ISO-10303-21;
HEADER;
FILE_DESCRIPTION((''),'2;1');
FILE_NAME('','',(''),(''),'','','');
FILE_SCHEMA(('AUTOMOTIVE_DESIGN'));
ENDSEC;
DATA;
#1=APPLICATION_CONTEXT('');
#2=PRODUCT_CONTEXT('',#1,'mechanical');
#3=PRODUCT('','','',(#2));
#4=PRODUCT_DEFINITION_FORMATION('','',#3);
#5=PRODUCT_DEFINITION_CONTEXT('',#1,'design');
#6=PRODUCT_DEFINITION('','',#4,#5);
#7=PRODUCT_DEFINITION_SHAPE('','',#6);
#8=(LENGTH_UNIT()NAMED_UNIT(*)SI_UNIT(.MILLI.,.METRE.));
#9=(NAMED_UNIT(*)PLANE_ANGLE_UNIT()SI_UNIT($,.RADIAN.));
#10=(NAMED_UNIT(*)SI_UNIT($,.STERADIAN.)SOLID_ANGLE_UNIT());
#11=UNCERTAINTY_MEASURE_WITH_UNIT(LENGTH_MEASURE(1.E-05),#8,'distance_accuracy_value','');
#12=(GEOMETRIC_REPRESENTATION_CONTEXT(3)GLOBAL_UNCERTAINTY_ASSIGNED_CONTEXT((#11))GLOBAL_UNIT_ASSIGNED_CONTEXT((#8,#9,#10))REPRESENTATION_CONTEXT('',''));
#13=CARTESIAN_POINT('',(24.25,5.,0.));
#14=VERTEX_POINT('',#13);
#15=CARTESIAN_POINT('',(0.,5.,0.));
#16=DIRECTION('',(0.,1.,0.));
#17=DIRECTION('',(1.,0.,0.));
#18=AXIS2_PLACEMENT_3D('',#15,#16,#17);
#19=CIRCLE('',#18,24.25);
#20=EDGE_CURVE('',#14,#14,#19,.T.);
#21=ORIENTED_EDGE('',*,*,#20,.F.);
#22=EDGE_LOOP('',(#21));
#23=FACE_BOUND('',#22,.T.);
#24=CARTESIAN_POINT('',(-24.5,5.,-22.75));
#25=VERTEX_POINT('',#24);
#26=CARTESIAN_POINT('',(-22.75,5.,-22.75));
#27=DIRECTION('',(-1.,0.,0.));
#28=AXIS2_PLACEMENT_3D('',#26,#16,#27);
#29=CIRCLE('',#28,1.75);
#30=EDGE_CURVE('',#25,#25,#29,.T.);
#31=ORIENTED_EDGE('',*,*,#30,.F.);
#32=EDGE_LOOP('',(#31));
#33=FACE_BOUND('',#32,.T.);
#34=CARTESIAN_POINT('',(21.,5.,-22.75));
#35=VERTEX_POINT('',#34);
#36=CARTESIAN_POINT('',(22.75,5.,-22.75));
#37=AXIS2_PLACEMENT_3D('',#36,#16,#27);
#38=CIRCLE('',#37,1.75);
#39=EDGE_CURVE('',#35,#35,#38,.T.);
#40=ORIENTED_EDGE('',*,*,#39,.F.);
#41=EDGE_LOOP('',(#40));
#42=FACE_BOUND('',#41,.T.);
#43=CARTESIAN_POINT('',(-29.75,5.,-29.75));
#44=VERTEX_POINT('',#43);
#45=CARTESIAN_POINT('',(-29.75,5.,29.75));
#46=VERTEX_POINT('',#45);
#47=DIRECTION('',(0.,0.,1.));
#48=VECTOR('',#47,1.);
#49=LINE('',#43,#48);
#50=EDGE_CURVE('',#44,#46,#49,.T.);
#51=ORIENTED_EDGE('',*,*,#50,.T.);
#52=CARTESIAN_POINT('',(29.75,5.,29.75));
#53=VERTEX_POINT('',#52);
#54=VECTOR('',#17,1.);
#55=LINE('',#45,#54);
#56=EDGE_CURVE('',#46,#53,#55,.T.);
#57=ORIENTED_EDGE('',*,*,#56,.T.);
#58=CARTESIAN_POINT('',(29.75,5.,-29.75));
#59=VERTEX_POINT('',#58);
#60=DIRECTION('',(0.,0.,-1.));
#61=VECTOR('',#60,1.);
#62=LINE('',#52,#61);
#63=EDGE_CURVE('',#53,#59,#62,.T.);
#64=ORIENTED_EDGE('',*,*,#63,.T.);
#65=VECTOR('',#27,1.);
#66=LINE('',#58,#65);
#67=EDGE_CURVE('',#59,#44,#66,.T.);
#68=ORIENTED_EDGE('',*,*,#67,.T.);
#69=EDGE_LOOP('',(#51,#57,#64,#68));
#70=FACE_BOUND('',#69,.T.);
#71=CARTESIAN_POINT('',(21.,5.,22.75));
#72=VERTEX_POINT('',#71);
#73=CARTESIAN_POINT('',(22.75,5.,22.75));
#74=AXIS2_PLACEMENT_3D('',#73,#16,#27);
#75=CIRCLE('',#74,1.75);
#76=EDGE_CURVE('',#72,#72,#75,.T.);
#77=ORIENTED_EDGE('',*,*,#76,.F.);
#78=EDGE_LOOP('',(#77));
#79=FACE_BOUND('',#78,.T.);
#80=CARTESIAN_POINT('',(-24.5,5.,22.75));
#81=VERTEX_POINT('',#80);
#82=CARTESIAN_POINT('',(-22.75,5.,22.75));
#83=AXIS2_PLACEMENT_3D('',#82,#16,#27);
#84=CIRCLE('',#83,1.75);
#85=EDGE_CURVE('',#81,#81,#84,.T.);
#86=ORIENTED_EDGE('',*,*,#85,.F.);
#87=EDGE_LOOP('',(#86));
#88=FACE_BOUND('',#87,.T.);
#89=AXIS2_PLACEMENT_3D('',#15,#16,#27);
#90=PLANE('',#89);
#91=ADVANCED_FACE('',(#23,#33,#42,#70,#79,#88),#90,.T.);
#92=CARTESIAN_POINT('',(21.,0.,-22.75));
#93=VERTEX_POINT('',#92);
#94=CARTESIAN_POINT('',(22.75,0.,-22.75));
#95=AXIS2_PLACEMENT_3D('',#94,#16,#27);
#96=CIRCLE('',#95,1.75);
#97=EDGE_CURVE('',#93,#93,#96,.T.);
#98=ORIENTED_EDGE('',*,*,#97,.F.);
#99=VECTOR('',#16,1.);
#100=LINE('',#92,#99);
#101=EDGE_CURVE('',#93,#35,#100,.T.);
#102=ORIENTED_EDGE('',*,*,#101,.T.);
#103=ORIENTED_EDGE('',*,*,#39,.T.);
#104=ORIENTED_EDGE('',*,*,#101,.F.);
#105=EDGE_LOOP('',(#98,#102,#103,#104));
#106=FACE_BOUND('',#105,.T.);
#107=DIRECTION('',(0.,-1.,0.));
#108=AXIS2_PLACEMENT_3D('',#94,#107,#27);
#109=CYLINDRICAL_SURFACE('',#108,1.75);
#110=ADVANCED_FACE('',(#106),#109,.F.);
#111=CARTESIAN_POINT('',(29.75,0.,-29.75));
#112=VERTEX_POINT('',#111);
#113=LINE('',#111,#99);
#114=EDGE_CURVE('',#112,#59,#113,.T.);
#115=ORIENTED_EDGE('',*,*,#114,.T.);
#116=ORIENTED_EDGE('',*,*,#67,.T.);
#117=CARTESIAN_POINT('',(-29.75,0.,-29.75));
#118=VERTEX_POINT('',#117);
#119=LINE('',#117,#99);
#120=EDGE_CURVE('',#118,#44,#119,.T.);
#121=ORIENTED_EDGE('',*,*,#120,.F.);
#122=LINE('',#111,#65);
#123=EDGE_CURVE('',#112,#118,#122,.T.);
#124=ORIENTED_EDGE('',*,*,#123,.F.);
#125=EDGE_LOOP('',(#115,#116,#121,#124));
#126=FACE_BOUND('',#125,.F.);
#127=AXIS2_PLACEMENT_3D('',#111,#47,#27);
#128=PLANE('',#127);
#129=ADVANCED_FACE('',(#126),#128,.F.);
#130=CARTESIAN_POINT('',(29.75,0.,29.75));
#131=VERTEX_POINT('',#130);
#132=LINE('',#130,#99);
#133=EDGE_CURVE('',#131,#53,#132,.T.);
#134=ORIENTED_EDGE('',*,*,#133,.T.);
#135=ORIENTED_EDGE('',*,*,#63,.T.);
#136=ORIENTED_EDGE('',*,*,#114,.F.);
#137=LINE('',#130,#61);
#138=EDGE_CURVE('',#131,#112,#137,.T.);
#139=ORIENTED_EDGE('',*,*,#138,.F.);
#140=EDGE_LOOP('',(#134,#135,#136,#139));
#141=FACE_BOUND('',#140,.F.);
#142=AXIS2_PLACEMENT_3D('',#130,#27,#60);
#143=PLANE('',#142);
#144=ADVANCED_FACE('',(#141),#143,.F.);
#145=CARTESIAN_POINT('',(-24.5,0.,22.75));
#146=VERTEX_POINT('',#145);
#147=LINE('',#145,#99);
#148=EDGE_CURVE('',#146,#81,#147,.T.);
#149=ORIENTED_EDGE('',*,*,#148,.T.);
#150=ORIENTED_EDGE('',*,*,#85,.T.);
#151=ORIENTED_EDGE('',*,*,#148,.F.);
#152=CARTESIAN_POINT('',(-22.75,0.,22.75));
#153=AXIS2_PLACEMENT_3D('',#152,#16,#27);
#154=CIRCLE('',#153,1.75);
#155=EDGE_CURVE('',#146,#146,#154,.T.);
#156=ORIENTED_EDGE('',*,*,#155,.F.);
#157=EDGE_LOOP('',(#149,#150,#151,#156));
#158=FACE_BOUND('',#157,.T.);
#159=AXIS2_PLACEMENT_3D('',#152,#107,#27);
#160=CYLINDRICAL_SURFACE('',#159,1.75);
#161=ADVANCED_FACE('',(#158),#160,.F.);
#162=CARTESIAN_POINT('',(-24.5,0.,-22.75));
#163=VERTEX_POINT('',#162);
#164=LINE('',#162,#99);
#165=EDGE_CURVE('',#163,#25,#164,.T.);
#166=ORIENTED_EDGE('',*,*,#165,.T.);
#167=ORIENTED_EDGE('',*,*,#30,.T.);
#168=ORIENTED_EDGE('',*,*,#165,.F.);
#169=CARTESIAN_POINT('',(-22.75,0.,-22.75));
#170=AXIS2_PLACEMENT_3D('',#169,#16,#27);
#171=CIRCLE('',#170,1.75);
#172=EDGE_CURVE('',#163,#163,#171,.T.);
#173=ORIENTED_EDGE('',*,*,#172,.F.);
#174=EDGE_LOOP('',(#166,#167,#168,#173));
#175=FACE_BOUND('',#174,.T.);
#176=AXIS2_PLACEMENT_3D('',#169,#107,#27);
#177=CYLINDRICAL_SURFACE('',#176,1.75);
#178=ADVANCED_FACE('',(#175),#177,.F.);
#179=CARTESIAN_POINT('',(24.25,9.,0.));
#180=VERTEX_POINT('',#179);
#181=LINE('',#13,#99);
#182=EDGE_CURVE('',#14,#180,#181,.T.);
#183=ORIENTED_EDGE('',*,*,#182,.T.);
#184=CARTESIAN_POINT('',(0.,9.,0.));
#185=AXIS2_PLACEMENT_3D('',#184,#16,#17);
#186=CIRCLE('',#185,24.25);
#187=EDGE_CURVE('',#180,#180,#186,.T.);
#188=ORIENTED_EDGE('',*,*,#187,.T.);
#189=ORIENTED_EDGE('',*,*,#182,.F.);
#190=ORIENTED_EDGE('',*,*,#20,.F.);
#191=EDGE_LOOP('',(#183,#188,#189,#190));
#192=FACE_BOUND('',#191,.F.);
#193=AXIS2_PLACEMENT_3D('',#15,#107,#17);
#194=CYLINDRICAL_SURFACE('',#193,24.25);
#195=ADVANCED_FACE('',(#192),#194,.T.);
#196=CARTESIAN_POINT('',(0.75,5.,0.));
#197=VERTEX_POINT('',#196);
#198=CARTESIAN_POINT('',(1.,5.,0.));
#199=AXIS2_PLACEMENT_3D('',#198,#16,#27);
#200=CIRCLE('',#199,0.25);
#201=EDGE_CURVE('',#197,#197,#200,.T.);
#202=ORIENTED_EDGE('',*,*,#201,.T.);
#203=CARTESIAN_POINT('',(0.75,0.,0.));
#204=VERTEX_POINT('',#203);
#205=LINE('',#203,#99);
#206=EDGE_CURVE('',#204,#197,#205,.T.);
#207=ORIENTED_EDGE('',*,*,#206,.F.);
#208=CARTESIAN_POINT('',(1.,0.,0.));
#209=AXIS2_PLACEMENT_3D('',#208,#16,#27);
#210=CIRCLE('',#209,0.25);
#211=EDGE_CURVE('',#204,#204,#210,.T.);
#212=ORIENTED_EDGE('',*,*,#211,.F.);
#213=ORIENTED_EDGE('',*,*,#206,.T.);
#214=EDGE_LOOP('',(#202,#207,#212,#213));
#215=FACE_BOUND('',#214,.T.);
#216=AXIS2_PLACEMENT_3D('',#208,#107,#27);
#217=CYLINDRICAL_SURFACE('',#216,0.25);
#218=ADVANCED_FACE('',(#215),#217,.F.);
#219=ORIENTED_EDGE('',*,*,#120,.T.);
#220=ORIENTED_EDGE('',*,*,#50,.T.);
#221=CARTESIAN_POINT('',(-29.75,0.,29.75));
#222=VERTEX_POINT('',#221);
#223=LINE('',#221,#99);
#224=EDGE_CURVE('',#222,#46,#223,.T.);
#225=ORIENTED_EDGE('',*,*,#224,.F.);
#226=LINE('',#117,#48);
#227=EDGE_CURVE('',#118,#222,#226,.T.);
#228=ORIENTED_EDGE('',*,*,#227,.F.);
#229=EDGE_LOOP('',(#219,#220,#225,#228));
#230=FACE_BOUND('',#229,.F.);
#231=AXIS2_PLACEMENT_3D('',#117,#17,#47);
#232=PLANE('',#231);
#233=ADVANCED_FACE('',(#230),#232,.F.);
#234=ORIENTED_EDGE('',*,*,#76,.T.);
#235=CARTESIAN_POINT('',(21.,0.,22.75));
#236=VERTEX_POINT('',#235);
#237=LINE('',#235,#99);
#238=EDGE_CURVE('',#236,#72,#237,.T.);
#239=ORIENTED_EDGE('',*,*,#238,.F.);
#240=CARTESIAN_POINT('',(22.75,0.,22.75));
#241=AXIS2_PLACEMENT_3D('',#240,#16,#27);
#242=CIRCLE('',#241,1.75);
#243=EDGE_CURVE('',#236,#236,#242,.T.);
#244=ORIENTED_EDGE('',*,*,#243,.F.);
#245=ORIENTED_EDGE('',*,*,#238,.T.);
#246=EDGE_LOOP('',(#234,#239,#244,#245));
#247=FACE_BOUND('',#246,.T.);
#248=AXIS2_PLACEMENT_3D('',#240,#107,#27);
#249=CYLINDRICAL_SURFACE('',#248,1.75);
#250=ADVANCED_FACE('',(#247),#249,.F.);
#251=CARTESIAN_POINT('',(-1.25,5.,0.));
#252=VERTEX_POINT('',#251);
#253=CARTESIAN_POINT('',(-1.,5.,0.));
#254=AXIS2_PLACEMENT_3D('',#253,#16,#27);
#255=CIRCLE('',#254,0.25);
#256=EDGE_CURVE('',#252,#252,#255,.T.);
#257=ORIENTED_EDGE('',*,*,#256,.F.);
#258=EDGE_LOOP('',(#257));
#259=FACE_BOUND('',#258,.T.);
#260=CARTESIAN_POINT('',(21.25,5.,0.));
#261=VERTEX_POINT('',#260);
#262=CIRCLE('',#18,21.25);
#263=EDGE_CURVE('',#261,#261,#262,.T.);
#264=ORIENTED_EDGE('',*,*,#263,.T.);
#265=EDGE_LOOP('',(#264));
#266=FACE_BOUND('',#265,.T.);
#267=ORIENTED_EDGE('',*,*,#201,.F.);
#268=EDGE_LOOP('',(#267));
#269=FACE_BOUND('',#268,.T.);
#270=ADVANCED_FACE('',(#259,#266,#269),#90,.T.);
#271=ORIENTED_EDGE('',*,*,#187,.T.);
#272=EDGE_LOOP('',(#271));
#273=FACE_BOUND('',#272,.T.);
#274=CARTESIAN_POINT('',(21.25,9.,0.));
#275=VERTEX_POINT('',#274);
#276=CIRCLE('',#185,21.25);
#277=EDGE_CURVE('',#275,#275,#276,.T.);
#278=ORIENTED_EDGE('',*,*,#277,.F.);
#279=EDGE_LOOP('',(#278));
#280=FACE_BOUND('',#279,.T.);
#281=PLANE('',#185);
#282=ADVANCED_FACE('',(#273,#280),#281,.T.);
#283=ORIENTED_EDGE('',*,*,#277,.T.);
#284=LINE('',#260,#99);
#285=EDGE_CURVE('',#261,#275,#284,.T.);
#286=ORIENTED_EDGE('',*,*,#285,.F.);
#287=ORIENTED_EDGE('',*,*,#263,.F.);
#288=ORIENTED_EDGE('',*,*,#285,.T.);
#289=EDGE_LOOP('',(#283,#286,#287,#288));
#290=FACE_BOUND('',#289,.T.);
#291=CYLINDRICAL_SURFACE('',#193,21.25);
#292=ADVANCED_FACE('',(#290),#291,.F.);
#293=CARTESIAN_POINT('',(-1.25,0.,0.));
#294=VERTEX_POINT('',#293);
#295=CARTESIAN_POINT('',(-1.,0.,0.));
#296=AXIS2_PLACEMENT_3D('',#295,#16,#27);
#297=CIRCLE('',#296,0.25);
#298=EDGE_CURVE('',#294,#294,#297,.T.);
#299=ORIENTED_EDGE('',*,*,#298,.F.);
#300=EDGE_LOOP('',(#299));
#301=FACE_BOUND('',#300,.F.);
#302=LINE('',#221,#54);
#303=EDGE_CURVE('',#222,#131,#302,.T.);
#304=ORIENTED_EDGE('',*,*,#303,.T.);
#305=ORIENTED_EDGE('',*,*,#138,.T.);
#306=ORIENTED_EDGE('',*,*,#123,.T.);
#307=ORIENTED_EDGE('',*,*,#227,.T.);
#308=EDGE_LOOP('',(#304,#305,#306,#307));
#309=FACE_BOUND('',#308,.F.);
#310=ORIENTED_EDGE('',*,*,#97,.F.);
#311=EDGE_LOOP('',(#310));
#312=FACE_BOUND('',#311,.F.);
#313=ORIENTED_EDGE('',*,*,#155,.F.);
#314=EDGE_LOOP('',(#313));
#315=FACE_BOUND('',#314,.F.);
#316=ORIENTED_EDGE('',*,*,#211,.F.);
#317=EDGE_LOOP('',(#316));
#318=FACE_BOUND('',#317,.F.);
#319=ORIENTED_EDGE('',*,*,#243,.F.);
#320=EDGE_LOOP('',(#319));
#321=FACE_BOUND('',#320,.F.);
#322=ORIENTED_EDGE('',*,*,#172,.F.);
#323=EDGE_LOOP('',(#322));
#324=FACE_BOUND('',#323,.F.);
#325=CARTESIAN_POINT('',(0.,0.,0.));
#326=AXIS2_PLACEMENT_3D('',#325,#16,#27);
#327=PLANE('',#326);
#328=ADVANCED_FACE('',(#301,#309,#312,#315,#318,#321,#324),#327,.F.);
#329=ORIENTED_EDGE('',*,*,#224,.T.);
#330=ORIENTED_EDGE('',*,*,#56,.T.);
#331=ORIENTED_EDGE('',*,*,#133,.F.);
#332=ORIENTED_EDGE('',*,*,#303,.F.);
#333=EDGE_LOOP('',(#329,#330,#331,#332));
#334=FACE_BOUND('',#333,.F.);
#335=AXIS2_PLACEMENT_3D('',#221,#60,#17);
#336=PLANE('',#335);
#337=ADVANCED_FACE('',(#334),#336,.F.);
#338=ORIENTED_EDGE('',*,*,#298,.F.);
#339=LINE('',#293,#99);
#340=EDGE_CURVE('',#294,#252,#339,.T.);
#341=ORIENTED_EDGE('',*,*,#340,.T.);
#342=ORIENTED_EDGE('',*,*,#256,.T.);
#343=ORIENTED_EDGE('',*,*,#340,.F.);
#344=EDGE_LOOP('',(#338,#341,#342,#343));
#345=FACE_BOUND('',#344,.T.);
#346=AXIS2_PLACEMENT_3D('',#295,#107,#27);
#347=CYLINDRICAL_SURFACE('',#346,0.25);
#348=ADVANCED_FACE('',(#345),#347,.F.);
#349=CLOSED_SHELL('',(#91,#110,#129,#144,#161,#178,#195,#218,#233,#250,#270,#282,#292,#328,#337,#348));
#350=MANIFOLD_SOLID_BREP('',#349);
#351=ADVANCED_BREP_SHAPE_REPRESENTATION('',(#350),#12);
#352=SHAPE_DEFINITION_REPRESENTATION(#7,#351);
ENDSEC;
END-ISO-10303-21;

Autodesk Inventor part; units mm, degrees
ref_plane "YZ Plane" through (0, 0, 0) normal (1, 0, 0) x (0, 1, 0)
ref_plane "XZ Plane" through (0, 0, 0) normal (0, 1, 0) x (-1, 0, 0)
ref_plane "XY Plane" through (0, 0, 0) normal (0, 0, 1) x (1, 0, 0)
sketch "Sketch1" plane through (0, 0, 0) normal (0, 1, 0) x (-1, 0, 0)
  line L0 (29.75, 29.75) -> (-29.75, 29.75)
  line L1 (-29.75, 29.75) -> (-29.75, -29.75)
  line L2 (-29.75, -29.75) -> (29.75, -29.75)
  line L3 (29.75, -29.75) -> (29.75, 29.75)
  line L4 (29.75, 0) -> (-29.75, 0) construction
  line L5 (0, -29.75) -> (0, 29.75) construction
  circle A0 centre (-22.75, 22.75) radius 1.75
  circle A1 centre (-22.75, -22.75) radius 1.75
  circle A2 centre (22.75, -22.75) radius 1.75
  circle A3 centre (22.75, 22.75) radius 1.75
  circle A4 centre (-1, 0) radius 0.25
  circle A5 centre (1, 0) radius 0.25
  point P0 (0, 0)
  dimension "d0" = 59.5
  dimension "d3" = 3.5
  dimension "d4" = 7
  dimension "d5" = 7
  dimension "d10" = 1
  dimension "d11" = 0.5
extrude "Extrusion1" add sketch "Sketch1" along normal blind 5
sketch "Sketch3" plane through (0, 5, 0) normal (0, 1, 0) x (1, 0, 0)
  circle A0 centre (0, 0) radius 24.25
  circle A1 centre (0, 0) radius 21.25
  line L0 (29.75, 29.75) -> (-29.75, 29.75) projected
  dimension "d7" = 3
  dimension "d12" = 5.5
extrude "Extrusion2" add sketch "Sketch3" along normal blind 4
properties part number "Power_Meter_Adapter_Part2"
